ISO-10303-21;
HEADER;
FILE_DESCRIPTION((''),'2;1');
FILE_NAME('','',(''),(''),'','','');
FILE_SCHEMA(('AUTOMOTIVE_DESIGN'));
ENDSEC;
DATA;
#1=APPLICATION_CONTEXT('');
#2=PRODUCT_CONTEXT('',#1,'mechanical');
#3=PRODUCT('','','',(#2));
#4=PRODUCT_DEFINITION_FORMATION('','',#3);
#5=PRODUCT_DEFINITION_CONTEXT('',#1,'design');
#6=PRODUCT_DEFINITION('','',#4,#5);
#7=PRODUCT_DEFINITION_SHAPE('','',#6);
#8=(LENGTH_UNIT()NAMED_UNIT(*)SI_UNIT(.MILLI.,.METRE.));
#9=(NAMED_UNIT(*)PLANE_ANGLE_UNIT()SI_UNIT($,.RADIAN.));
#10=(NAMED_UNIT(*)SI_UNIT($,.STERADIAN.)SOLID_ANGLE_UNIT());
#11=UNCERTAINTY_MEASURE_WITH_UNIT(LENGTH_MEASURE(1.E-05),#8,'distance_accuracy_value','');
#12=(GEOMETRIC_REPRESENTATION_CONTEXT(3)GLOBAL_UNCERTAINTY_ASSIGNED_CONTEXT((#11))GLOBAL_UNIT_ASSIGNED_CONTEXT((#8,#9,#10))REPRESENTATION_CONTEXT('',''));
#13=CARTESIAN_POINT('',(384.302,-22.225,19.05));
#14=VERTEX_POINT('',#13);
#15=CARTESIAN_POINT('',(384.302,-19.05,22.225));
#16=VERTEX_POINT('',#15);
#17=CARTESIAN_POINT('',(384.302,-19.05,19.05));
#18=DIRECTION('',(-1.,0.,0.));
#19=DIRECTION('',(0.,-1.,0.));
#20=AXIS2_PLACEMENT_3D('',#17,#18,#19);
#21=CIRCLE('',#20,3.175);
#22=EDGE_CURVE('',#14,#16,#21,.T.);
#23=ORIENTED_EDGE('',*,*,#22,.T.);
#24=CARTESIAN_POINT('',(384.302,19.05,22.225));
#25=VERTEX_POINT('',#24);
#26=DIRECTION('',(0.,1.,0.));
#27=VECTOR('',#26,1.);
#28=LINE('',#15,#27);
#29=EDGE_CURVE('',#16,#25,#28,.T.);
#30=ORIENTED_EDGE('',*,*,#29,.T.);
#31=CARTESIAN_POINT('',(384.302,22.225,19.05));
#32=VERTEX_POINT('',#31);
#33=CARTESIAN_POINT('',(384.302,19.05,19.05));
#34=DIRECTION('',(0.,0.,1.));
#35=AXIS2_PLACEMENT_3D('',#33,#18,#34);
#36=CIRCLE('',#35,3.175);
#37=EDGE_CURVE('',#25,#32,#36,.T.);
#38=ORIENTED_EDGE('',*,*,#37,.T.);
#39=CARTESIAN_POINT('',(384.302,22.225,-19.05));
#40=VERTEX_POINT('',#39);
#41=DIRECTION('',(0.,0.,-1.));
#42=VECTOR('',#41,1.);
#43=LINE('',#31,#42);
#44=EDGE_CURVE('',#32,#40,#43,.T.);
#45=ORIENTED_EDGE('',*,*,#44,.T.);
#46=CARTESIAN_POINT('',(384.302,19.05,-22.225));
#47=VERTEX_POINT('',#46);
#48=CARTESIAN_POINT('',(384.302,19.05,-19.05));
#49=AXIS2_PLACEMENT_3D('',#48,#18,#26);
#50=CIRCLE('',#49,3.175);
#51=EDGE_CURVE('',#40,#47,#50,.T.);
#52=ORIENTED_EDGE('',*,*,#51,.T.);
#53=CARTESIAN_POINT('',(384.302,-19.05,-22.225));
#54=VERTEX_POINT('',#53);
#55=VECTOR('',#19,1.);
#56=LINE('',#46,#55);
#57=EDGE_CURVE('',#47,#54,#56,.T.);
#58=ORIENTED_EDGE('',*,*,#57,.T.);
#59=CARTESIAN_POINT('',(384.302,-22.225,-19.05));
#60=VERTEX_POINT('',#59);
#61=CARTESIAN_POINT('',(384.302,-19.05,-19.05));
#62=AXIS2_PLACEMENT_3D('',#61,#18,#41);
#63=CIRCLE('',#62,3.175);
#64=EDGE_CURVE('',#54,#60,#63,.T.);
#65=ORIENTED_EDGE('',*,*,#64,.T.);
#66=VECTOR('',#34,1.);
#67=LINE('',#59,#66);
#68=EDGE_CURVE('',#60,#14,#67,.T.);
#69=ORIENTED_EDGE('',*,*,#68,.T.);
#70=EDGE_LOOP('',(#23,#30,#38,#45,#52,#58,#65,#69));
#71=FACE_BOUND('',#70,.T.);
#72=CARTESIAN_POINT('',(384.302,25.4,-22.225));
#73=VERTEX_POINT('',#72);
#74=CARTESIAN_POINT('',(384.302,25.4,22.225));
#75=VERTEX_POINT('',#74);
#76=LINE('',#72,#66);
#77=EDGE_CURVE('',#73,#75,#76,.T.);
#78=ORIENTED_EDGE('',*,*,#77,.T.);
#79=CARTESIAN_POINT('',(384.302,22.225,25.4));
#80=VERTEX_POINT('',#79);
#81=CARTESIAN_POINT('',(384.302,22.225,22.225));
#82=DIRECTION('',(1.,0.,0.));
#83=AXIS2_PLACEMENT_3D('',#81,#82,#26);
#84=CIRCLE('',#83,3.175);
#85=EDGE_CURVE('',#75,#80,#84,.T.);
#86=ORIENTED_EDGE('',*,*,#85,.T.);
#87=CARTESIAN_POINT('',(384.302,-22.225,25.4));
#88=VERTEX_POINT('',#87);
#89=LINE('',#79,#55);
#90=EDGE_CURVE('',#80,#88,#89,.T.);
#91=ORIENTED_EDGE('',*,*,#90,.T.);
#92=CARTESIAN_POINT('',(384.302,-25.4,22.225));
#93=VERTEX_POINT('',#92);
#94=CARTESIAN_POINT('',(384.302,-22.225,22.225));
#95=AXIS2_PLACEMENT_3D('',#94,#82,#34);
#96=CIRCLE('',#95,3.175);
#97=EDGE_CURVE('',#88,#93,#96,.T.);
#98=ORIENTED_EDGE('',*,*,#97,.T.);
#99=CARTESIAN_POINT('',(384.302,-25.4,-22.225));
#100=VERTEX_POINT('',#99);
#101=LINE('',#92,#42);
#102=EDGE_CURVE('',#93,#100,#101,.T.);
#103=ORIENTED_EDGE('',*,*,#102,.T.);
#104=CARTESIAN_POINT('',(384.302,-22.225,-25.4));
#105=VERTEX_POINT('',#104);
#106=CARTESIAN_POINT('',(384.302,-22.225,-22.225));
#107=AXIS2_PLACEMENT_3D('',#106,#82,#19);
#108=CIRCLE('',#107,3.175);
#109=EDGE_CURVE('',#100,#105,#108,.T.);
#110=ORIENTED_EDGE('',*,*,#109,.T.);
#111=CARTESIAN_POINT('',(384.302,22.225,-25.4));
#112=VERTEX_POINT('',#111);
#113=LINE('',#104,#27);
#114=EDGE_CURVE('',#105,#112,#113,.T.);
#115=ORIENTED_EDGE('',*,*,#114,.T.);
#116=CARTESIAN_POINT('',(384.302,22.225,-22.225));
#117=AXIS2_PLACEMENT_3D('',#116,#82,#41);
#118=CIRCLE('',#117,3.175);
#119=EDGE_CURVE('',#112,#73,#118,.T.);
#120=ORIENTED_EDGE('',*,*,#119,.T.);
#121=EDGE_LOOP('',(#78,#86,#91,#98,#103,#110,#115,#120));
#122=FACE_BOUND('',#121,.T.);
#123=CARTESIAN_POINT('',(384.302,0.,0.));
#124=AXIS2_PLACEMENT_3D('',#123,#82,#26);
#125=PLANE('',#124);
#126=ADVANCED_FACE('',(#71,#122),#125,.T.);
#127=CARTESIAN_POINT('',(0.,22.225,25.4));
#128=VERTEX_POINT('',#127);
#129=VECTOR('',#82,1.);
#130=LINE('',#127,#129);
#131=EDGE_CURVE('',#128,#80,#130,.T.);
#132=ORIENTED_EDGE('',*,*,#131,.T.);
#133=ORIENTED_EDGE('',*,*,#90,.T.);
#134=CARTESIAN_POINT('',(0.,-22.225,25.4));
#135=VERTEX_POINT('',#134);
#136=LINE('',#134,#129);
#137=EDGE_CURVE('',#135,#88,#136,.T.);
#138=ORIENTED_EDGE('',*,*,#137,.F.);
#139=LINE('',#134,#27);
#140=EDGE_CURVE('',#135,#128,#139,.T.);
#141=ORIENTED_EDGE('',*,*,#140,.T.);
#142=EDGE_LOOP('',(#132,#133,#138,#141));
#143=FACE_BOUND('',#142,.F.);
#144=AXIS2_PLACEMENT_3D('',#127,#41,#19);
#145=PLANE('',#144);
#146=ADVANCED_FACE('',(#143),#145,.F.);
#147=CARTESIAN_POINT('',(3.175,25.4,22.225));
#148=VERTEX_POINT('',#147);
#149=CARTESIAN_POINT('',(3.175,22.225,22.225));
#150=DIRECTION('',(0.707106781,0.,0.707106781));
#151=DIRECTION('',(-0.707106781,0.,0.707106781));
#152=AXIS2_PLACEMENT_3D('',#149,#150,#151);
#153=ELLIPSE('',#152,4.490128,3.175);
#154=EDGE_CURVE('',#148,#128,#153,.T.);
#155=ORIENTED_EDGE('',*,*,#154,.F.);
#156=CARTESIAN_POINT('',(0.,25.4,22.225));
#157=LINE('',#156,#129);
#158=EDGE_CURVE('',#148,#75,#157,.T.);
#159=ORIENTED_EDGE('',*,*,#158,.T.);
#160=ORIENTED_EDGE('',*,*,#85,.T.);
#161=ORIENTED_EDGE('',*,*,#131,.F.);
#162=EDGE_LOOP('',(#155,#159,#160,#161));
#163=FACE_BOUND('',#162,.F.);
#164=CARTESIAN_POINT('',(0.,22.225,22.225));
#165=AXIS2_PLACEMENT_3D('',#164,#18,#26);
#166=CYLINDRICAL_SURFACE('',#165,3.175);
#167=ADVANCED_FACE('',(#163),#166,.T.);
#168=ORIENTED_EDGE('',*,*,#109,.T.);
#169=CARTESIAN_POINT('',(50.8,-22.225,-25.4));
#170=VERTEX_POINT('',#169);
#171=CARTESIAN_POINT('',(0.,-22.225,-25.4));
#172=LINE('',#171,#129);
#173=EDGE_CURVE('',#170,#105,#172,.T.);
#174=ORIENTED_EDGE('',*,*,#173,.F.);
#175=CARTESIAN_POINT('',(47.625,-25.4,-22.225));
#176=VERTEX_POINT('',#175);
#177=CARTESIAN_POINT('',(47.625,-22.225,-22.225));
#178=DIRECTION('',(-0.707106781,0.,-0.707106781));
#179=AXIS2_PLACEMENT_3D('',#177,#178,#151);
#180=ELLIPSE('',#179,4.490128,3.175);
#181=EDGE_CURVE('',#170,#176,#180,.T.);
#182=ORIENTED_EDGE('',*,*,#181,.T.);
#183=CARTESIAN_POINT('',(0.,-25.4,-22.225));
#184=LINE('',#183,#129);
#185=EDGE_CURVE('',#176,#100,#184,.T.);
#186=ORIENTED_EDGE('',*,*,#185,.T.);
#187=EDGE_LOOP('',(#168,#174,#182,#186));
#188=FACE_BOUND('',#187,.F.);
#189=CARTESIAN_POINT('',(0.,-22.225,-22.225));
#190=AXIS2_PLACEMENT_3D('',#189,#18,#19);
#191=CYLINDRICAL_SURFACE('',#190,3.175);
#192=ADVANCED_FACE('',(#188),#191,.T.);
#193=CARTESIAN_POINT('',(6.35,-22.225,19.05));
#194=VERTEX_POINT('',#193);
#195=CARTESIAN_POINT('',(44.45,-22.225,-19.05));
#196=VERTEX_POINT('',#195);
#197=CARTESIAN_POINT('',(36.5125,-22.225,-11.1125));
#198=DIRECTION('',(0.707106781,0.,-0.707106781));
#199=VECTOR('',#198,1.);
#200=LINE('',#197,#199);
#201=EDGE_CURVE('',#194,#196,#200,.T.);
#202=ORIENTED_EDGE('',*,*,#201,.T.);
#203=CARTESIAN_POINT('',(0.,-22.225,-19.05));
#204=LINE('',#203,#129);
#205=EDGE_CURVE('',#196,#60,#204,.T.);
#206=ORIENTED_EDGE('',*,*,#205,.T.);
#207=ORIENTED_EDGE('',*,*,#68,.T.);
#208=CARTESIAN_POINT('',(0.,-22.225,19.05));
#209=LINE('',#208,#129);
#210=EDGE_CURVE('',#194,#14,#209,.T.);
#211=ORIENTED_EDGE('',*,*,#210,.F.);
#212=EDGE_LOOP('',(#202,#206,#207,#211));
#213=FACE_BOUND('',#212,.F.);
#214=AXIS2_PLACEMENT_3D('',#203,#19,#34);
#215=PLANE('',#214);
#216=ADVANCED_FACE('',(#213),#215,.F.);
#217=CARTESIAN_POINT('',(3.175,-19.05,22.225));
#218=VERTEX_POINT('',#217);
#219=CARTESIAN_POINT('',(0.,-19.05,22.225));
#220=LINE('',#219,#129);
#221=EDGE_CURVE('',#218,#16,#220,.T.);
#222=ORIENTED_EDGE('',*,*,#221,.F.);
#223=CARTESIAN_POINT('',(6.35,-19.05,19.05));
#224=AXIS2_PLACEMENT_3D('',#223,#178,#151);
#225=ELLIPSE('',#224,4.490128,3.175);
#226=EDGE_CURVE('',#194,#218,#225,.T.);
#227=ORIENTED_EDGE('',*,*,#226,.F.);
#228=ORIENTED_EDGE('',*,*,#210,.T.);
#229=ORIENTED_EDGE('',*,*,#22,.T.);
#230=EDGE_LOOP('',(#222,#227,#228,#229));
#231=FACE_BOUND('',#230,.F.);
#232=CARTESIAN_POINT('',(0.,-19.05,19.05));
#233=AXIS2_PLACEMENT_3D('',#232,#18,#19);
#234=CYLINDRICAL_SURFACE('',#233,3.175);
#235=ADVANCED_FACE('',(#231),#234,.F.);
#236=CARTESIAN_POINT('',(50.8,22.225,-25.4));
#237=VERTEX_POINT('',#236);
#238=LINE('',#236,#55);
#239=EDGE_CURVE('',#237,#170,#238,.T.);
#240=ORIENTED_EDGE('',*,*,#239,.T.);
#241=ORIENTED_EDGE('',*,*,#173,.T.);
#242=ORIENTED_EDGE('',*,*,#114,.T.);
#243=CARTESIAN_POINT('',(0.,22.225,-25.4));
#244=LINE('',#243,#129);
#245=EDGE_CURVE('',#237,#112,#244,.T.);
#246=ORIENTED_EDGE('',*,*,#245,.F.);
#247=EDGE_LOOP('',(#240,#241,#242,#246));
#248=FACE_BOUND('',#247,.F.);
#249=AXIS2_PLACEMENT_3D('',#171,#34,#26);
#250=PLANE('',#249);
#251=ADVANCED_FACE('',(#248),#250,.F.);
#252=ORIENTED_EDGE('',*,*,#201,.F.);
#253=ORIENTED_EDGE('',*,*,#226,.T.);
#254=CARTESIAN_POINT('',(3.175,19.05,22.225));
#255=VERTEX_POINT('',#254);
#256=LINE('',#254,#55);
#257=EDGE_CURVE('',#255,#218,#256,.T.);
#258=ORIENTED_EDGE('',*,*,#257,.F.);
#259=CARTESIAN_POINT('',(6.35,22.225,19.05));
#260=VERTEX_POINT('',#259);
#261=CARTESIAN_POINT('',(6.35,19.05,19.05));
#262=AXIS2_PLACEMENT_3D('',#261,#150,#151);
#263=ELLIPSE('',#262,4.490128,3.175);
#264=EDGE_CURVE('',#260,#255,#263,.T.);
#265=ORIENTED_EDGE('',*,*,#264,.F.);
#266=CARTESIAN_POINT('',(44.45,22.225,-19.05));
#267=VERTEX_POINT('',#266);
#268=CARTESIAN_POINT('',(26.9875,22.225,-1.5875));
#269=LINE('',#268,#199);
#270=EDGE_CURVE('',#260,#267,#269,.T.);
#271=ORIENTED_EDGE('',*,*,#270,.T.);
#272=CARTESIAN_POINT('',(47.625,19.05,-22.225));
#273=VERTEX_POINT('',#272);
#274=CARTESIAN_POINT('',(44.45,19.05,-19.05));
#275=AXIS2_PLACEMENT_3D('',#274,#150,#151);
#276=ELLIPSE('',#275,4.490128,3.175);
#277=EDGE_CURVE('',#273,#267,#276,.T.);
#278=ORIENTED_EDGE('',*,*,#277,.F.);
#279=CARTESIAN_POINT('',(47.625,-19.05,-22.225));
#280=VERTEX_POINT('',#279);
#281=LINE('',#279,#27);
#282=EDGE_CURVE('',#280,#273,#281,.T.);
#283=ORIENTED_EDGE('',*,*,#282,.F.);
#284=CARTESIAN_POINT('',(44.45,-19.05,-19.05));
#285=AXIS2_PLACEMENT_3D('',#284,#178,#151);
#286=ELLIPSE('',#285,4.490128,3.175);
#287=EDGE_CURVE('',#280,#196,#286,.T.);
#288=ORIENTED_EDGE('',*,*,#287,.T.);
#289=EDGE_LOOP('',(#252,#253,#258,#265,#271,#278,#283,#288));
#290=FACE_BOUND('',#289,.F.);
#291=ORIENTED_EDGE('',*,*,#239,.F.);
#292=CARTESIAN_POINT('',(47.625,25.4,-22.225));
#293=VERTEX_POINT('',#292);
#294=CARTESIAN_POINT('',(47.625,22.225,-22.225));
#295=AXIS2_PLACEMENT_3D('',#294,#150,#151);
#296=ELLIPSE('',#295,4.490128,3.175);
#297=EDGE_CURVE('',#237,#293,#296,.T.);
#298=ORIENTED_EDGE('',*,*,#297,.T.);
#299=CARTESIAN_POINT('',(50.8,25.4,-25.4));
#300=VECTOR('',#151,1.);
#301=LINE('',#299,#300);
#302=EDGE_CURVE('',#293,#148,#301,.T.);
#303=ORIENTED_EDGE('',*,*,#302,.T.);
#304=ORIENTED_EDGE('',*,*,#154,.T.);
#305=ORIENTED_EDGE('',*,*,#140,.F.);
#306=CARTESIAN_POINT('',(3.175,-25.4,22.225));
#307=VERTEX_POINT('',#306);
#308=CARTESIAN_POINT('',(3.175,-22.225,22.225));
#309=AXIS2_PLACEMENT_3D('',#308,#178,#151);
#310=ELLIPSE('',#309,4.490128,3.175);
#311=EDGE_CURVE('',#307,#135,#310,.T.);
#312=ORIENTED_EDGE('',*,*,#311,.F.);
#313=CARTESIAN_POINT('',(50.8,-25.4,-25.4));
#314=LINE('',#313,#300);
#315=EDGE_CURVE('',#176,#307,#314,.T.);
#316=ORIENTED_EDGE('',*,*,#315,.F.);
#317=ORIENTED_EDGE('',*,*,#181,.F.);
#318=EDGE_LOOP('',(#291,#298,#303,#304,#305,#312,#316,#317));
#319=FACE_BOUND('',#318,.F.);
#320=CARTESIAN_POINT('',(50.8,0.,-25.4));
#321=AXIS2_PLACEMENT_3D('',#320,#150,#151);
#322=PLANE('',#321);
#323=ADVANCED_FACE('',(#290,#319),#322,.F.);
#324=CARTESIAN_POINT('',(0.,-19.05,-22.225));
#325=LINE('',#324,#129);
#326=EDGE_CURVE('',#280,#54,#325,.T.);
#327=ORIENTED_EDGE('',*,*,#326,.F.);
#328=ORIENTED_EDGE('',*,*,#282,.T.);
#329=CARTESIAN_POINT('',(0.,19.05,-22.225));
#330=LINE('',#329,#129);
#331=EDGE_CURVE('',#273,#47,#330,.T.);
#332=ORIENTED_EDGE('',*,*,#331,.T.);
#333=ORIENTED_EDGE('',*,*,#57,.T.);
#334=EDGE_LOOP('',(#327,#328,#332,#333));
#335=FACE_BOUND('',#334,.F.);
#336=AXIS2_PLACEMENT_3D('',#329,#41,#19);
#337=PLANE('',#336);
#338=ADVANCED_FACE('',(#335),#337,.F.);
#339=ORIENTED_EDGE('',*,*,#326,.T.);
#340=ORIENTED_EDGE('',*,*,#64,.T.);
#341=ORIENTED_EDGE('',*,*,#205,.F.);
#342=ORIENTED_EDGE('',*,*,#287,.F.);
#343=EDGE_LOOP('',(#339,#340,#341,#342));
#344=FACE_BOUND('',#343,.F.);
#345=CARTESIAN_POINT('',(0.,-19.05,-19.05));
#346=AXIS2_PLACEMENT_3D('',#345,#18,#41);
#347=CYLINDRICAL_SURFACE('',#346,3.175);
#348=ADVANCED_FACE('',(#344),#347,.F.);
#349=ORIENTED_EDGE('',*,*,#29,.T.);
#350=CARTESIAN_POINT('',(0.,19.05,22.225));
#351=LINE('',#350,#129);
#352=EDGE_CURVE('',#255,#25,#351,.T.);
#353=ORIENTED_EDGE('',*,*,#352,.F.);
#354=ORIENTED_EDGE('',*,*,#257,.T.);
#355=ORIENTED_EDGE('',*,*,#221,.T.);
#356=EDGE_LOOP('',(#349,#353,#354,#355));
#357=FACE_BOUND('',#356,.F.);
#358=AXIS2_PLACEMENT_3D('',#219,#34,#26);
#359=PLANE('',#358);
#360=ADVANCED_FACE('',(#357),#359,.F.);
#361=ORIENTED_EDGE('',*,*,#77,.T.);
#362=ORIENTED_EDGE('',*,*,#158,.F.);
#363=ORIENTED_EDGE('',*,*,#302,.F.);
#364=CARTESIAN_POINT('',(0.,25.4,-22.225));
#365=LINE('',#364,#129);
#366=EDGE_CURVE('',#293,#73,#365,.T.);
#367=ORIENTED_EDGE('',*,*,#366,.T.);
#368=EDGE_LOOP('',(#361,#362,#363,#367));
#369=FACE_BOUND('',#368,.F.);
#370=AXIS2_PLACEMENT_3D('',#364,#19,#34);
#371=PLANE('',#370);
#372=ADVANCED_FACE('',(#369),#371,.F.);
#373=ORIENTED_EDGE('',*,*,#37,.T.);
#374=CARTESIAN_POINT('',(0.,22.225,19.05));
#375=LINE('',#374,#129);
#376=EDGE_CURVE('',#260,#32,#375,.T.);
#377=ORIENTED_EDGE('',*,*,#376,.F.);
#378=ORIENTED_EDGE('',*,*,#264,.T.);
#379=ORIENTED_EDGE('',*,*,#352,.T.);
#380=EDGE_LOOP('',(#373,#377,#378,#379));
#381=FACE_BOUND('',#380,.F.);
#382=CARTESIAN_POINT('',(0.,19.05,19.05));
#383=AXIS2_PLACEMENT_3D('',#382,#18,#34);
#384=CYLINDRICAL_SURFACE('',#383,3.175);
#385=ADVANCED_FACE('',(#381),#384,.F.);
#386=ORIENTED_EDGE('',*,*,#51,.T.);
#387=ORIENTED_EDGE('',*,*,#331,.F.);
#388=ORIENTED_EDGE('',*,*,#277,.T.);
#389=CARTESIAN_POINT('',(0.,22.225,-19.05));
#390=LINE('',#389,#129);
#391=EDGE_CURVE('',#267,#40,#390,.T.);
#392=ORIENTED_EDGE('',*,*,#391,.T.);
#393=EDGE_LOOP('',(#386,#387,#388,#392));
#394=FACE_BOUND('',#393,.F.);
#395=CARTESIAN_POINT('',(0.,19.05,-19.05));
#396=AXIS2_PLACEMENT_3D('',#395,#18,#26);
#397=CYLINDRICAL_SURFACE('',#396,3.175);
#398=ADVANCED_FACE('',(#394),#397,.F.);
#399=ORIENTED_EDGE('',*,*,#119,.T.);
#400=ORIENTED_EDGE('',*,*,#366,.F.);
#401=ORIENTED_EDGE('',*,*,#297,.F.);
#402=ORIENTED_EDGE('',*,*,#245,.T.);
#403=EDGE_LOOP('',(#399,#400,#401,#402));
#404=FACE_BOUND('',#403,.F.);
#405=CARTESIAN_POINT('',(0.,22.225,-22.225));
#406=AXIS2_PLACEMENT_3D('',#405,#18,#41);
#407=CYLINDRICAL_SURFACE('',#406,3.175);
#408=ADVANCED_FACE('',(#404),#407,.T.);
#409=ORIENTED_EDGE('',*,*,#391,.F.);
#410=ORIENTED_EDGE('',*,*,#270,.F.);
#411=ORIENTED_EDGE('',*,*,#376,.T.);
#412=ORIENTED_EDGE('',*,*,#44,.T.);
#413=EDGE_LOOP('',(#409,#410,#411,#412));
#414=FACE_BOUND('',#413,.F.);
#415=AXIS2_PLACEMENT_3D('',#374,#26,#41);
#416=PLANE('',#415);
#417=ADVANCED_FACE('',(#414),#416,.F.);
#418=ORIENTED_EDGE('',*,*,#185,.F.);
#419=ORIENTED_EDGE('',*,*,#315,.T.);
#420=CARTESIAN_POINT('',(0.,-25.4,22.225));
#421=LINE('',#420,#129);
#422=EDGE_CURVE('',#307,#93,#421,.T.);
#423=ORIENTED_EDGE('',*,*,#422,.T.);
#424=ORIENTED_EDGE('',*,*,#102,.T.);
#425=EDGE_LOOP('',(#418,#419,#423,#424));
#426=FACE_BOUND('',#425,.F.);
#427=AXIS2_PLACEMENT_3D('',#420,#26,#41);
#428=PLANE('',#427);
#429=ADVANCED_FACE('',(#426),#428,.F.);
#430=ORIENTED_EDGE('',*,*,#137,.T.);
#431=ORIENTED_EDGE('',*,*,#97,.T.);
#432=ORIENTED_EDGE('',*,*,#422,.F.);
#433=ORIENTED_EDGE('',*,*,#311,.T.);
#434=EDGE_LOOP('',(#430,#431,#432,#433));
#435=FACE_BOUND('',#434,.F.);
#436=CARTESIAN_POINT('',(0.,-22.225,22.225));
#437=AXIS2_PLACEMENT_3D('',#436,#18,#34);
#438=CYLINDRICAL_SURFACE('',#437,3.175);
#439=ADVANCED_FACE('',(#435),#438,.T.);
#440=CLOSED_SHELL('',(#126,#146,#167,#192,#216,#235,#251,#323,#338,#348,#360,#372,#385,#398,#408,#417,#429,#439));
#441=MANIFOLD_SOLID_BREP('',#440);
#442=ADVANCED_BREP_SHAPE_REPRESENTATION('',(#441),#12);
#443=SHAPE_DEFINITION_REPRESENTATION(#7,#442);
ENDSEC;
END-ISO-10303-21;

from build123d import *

# Parameters (mm, degrees)
F1_DEPTH      = 384.302
F3_DEPTH      = 25.4
F3_DEPTH_BACK = 25.4


with BuildPart() as f1:
    # F0 (on Right) → F1 (new body)
    with BuildSketch(Plane.YZ):
        with BuildLine():
            ThreePointArc((25.4, 22.225), (24.4700640303, 24.4700640303), (22.225, 25.4))
            Line((22.225, 25.4), (-22.225, 25.4))
            ThreePointArc((-22.225, 25.4), (-24.4700640303, 24.4700640303), (-25.4, 22.225))
            Line((-25.4, 22.225), (-25.4, -22.225))
            ThreePointArc((-25.4, -22.225), (-24.4700640303, -24.4700640303), (-22.225, -25.4))
            Line((-22.225, -25.4), (22.225, -25.4))
            ThreePointArc((22.225, -25.4), (24.4700640303, -24.4700640303), (25.4, -22.225))
            Line((25.4, -22.225), (25.4, 22.225))
        make_face()
        with BuildLine():
            Line((-19.05, 22.225), (19.05, 22.225))
            ThreePointArc((19.05, 22.225), (21.2950640303, 21.2950640303), (22.225, 19.05))
            Line((22.225, 19.05), (22.225, -19.05))
            ThreePointArc((22.225, -19.05), (21.2950640303, -21.2950640303), (19.05, -22.225))
            Line((19.05, -22.225), (-19.05, -22.225))
            ThreePointArc((-19.05, -22.225), (-21.2950640303, -21.2950640303), (-22.225, -19.05))
            Line((-22.225, -19.05), (-22.225, 19.05))
            ThreePointArc((-22.225, 19.05), (-21.2950640303, 21.2950640303), (-19.05, 22.225))
        make_face(mode=Mode.SUBTRACT)
    extrude(amount=F1_DEPTH)

    # F2 (on Front) → F3 (cut, two sides)
    with BuildSketch(Plane.XZ) as f3_sk:
        Polygon((0, -25.4), (50.8, -25.4), (0, 25.4), align=None)
    extrude(amount=-F3_DEPTH, mode=Mode.SUBTRACT)
    extrude(f3_sk.sketch, amount=F3_DEPTH_BACK, mode=Mode.SUBTRACT)


solid = f1.part
